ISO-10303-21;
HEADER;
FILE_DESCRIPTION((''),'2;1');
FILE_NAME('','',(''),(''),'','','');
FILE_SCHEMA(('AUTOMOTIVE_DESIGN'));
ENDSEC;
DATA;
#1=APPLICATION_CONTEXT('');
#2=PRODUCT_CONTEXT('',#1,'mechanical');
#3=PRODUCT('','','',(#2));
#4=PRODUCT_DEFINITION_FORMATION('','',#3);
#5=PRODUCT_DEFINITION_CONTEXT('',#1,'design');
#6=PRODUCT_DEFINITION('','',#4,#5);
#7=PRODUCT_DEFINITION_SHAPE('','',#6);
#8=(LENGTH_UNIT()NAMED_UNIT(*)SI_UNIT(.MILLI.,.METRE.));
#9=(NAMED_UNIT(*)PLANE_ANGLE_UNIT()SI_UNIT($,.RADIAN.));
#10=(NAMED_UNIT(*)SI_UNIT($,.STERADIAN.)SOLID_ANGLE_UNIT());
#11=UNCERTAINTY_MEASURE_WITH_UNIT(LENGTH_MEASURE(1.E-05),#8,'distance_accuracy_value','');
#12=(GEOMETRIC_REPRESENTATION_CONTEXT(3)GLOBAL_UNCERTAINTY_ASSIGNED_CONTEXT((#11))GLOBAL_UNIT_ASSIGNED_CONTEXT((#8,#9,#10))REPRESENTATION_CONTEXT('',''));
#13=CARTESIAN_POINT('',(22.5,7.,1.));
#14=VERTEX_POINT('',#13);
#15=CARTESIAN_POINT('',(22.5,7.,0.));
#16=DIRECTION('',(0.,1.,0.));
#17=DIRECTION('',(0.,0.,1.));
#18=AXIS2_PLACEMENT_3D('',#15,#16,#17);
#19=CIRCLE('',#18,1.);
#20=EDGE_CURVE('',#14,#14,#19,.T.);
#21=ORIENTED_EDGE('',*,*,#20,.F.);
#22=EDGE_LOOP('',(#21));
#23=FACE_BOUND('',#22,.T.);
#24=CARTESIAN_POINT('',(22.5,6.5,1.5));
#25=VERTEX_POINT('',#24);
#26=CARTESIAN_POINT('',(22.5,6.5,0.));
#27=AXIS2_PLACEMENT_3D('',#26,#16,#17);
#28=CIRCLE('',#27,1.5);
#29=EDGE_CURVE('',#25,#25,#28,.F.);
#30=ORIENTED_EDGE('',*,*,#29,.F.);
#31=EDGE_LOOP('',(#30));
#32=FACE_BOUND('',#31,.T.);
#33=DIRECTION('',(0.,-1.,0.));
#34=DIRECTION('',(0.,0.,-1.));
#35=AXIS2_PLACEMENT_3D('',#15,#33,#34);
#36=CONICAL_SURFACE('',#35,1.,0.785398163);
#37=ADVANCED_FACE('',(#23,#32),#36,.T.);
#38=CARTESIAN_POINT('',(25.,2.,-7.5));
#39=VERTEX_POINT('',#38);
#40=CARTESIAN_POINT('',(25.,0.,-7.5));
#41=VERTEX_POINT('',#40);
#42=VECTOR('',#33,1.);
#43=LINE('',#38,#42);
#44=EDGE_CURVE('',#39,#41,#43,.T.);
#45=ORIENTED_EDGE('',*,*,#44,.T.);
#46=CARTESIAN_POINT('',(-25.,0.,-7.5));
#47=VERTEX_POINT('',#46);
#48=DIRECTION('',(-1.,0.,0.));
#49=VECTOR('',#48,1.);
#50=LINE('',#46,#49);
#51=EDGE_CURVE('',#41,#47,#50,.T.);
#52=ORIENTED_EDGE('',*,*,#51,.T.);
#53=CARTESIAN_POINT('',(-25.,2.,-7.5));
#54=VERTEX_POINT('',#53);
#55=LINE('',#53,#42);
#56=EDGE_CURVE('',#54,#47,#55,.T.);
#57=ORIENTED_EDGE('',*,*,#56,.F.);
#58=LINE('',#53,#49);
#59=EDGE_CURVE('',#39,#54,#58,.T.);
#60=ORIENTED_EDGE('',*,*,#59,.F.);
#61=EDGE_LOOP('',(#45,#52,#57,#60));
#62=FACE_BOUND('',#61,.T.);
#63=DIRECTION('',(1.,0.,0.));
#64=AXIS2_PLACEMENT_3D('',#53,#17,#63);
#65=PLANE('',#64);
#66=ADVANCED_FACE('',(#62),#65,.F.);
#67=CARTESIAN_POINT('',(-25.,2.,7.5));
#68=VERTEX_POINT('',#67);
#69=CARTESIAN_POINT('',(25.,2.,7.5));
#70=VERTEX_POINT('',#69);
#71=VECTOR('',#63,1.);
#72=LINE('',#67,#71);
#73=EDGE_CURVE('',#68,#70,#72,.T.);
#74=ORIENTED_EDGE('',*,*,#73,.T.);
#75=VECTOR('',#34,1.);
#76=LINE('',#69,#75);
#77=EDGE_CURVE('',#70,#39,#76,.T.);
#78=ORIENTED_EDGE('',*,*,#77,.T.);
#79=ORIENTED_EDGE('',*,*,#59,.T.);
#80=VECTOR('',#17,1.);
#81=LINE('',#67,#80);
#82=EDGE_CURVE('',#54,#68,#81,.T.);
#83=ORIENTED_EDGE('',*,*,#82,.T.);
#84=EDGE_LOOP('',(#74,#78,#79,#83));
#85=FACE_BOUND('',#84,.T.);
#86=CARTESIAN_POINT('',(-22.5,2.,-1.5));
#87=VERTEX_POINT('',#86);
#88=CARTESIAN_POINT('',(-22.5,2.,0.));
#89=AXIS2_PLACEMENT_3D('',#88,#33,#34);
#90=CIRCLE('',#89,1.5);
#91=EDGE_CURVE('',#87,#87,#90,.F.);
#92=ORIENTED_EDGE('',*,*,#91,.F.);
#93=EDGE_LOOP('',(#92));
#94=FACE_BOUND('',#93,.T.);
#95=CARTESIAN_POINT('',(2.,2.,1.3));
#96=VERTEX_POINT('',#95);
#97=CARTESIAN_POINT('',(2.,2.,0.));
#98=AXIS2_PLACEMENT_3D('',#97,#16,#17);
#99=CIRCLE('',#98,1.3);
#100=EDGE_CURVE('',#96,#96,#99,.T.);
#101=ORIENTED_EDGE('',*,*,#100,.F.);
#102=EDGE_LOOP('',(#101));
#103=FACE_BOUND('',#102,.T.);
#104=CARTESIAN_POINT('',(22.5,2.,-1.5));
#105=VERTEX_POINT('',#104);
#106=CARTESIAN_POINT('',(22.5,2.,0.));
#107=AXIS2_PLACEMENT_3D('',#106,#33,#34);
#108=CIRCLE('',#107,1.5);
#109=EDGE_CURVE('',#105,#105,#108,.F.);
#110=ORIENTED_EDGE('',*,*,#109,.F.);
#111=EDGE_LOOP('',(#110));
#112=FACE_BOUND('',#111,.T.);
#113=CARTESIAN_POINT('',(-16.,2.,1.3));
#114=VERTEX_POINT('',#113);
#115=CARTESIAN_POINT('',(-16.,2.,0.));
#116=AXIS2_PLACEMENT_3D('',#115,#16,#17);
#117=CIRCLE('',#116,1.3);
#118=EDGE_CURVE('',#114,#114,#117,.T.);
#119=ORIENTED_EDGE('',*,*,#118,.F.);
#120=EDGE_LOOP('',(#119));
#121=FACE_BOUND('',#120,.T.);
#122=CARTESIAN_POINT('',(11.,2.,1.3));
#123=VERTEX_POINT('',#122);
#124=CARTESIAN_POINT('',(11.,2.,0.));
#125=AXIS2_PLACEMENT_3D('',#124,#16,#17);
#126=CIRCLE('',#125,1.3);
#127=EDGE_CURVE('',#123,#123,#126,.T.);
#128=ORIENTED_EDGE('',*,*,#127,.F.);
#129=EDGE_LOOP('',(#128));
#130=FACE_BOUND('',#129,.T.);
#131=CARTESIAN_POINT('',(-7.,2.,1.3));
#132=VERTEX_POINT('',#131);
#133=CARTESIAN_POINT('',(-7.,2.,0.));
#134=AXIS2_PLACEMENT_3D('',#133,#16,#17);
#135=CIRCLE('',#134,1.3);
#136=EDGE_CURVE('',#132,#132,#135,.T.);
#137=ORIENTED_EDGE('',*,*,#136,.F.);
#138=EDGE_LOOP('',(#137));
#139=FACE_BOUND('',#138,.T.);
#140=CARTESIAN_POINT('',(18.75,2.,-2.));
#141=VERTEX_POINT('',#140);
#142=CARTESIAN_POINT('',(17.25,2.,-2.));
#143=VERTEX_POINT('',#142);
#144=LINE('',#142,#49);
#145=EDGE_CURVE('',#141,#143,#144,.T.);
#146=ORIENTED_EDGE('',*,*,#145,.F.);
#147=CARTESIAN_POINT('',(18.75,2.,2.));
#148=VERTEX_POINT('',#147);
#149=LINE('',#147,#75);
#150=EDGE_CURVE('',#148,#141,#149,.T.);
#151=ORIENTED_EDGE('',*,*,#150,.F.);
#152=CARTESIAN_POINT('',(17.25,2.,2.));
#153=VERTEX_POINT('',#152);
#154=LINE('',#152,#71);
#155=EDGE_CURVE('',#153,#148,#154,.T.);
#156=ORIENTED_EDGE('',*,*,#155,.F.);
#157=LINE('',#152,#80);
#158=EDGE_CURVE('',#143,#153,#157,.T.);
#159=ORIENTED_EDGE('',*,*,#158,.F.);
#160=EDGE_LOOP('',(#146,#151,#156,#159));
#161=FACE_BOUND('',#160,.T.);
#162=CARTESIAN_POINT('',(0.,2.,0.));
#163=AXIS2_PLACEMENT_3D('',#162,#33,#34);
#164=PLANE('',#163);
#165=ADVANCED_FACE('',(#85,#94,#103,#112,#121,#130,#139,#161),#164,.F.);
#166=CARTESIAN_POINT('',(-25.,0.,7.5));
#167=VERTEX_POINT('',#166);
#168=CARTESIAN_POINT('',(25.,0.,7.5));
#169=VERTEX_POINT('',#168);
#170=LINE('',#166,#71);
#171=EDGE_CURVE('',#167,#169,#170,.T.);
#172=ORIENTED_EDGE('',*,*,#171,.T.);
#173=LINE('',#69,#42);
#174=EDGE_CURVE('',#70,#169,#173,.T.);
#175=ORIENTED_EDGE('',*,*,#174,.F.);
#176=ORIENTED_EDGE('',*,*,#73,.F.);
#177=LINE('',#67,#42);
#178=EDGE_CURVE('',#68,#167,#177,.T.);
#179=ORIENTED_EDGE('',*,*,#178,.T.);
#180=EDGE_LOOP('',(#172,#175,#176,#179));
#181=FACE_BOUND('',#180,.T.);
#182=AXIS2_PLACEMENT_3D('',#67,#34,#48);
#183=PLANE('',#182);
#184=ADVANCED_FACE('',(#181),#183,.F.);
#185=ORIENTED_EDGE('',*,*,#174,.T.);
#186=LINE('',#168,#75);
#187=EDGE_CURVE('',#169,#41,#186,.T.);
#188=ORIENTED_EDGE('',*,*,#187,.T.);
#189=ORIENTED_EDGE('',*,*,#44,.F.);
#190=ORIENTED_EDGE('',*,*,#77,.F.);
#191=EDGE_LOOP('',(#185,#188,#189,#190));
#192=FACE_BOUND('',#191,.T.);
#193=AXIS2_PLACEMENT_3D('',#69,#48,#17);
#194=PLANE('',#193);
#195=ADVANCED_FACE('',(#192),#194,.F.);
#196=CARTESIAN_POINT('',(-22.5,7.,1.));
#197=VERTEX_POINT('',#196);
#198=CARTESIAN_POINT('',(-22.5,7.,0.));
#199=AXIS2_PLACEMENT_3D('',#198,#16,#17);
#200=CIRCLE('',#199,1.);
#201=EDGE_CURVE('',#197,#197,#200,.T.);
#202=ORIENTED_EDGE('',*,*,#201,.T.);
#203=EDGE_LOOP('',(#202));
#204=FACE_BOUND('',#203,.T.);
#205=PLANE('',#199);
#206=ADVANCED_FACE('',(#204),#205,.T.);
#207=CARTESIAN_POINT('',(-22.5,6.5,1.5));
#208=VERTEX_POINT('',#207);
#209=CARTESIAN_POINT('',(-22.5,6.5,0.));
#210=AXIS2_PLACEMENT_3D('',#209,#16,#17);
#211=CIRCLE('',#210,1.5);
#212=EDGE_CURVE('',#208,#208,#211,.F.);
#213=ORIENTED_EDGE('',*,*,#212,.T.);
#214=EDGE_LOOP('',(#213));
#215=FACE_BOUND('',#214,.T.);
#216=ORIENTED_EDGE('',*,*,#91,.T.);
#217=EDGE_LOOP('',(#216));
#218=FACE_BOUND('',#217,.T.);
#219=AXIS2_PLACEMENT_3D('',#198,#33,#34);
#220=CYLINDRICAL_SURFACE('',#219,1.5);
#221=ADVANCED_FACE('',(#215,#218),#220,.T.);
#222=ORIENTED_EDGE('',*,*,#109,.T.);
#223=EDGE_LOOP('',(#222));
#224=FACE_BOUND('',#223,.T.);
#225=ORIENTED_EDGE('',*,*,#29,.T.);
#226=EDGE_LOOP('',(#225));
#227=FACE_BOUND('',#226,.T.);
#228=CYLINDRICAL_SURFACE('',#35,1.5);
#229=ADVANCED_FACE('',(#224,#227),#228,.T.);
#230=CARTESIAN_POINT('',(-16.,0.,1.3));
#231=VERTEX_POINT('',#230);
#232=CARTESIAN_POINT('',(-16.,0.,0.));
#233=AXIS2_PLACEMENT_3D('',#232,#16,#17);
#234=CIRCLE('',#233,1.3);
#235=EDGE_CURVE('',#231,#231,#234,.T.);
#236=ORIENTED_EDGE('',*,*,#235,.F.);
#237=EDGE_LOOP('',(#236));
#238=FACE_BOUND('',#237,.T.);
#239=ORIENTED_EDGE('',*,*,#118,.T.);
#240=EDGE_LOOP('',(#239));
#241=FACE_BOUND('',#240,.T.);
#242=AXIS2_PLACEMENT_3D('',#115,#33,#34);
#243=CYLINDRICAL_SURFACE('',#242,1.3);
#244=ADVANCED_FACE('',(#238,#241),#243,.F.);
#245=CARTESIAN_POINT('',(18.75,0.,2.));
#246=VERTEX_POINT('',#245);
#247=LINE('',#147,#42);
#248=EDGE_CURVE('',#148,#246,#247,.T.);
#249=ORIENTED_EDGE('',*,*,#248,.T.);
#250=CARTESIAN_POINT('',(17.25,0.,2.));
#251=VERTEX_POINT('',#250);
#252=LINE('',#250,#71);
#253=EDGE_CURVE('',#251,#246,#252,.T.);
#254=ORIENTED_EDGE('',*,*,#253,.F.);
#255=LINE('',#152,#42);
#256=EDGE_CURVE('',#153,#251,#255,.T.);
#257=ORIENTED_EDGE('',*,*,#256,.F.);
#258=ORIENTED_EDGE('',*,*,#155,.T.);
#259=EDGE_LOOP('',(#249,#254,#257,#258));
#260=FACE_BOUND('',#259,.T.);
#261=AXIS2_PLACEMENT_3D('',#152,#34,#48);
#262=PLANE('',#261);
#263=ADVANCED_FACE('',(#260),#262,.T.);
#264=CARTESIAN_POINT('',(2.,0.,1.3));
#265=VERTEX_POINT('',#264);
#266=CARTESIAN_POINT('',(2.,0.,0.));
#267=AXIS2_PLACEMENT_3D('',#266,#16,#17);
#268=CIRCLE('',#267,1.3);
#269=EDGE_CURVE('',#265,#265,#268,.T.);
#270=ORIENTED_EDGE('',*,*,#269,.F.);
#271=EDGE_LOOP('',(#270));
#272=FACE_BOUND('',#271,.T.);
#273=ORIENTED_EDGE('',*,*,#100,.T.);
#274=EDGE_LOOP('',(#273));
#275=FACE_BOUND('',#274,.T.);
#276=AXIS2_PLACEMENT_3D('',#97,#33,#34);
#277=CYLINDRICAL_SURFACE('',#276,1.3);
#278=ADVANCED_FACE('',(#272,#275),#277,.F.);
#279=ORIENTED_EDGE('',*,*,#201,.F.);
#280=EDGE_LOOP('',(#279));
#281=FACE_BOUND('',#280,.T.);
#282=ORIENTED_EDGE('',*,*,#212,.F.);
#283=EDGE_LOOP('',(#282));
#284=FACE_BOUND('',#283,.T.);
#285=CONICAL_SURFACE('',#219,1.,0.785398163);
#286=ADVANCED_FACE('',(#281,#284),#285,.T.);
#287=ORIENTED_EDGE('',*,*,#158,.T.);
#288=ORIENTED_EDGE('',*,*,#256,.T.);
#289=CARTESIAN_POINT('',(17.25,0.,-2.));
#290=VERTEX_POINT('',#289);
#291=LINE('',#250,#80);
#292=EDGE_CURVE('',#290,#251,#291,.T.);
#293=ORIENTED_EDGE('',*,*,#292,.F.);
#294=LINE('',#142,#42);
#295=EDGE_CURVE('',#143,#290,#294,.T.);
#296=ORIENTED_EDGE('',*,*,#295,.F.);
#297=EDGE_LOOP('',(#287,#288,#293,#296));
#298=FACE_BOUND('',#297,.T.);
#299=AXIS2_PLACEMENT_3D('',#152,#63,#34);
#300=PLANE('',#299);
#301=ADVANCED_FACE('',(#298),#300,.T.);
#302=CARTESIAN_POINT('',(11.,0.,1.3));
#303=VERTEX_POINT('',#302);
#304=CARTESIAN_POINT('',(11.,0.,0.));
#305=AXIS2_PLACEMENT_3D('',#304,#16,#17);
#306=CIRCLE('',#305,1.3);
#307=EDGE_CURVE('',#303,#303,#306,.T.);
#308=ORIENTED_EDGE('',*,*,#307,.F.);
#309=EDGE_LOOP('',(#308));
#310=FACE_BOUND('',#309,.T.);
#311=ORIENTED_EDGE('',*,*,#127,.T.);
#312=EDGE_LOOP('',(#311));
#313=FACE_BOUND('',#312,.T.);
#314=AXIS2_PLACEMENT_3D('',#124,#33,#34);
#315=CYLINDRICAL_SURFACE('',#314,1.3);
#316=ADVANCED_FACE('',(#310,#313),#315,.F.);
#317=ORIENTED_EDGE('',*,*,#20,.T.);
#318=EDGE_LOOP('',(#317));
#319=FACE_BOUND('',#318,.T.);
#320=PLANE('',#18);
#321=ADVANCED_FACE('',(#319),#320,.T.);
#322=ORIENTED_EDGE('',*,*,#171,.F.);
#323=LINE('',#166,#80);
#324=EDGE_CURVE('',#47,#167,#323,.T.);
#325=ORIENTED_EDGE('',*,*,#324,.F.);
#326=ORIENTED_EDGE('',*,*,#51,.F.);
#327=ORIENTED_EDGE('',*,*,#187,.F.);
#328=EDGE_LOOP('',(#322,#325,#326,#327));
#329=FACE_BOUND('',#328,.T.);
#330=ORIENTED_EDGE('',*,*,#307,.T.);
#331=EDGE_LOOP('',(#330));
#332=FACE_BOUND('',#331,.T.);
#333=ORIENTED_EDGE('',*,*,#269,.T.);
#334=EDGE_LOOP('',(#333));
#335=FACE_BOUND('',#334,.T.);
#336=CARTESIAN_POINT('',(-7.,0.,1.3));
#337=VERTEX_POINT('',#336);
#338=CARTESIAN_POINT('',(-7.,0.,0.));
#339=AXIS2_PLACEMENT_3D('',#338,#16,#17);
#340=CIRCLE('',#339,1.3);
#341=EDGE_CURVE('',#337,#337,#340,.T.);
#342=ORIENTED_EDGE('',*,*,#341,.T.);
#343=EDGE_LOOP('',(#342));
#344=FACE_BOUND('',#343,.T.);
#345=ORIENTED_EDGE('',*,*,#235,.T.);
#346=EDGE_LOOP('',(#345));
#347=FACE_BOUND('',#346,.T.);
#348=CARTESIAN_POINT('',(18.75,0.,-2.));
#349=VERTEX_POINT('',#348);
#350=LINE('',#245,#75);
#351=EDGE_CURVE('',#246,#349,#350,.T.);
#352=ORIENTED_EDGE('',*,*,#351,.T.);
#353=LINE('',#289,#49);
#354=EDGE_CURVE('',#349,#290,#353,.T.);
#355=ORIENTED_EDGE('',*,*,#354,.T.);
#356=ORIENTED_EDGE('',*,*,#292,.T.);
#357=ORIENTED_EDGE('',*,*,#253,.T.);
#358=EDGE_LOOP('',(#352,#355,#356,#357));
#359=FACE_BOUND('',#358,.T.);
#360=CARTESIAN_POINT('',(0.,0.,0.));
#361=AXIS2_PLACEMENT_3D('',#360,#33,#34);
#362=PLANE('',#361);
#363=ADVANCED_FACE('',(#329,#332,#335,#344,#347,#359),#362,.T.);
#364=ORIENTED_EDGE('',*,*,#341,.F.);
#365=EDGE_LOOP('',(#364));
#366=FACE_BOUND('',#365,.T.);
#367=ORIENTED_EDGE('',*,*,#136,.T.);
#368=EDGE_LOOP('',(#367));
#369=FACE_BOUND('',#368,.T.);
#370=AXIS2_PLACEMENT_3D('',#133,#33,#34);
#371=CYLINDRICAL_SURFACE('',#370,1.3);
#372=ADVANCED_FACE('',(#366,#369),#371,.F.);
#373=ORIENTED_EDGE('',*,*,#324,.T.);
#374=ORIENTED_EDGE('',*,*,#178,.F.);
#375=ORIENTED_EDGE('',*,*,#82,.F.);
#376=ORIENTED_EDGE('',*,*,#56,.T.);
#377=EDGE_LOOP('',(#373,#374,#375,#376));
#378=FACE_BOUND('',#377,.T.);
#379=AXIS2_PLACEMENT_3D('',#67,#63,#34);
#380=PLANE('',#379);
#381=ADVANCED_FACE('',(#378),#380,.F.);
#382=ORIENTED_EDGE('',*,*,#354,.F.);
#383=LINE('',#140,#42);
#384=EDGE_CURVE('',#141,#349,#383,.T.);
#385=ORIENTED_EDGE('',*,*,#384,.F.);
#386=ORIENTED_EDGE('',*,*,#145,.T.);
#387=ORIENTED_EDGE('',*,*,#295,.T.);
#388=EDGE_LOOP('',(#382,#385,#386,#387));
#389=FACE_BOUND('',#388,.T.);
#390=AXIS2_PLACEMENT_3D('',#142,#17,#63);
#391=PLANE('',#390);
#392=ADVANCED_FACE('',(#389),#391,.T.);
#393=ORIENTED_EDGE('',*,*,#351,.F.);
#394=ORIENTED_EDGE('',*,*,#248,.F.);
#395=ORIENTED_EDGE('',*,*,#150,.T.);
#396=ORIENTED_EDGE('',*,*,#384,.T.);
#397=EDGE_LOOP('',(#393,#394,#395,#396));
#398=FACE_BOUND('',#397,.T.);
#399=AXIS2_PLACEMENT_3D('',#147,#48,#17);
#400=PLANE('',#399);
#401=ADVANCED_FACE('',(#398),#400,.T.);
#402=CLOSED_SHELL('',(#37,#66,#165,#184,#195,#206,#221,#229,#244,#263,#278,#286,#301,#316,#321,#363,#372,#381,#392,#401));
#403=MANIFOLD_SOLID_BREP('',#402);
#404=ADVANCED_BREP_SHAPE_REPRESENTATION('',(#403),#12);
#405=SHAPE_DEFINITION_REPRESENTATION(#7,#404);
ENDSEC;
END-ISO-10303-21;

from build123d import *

# Parameters (mm, degrees)
CROQUIS1_W              = 50
CROQUIS1_H              = 15
CROQUIS1_R              = 1.3
CROQUIS1_W_2            = 1.5
CROQUIS1_H_2            = 4
SALIENTE_EXTRUIR1_DEPTH = 2
CROQUIS2_R              = 1.5
SALIENTE_EXTRUIR2_DEPTH = 5
CHAFL_N1_SIZE           = 0.5
CHAFL_N2_SIZE           = 0.5


with BuildPart() as part:
    # Croquis1 → Saliente-Extruir1 (new body)
    with BuildSketch(Plane(origin=(0, 0, 0), x_dir=(1, 0, 0), z_dir=(0, 1, 0))):
        Rectangle(CROQUIS1_W, CROQUIS1_H)
        with Locations(Location((-16, 0, 0), (0, 0, 270))):
            Circle(CROQUIS1_R, mode=Mode.SUBTRACT)
        with Locations(Location((-7, 0, 0), (0, 0, 270))):
            Circle(CROQUIS1_R, mode=Mode.SUBTRACT)
        with Locations(Location((2, 0, 0), (0, 0, 270))):
            Circle(CROQUIS1_R, mode=Mode.SUBTRACT)
        with Locations(Location((11, 0, 0), (0, 0, 270))):
            Circle(CROQUIS1_R, mode=Mode.SUBTRACT)
        with Locations((18, 0)):
            Rectangle(CROQUIS1_W_2, CROQUIS1_H_2, mode=Mode.SUBTRACT)
    extrude(amount=SALIENTE_EXTRUIR1_DEPTH)

    # Croquis2 → Saliente-Extruir2 (add)
    with BuildSketch(Plane(origin=(0, 2, 0), x_dir=(1, 0, 0), z_dir=(0, 1, 0))):
        with Locations(Location((-22.5, 0, 0), (0, 0, 90))):
            Circle(CROQUIS2_R)
        with Locations(Location((22.5, 0, 0), (0, 0, 90))):
            Circle(CROQUIS2_R)
    extrude(amount=SALIENTE_EXTRUIR2_DEPTH)

    # Chaflán1
    chafl_n1_edges = [part.edges().sort_by_distance(p)[0] for p in [
        (-22.5, 7, 1.5),
    ]]
    chamfer(chafl_n1_edges, length=CHAFL_N1_SIZE)

    # Chaflán2
    chafl_n2_edges = [part.edges().sort_by_distance(p)[0] for p in [
        (22.5, 7, 1.5),
    ]]
    chamfer(chafl_n2_edges, length=CHAFL_N2_SIZE)


solid = part.part
